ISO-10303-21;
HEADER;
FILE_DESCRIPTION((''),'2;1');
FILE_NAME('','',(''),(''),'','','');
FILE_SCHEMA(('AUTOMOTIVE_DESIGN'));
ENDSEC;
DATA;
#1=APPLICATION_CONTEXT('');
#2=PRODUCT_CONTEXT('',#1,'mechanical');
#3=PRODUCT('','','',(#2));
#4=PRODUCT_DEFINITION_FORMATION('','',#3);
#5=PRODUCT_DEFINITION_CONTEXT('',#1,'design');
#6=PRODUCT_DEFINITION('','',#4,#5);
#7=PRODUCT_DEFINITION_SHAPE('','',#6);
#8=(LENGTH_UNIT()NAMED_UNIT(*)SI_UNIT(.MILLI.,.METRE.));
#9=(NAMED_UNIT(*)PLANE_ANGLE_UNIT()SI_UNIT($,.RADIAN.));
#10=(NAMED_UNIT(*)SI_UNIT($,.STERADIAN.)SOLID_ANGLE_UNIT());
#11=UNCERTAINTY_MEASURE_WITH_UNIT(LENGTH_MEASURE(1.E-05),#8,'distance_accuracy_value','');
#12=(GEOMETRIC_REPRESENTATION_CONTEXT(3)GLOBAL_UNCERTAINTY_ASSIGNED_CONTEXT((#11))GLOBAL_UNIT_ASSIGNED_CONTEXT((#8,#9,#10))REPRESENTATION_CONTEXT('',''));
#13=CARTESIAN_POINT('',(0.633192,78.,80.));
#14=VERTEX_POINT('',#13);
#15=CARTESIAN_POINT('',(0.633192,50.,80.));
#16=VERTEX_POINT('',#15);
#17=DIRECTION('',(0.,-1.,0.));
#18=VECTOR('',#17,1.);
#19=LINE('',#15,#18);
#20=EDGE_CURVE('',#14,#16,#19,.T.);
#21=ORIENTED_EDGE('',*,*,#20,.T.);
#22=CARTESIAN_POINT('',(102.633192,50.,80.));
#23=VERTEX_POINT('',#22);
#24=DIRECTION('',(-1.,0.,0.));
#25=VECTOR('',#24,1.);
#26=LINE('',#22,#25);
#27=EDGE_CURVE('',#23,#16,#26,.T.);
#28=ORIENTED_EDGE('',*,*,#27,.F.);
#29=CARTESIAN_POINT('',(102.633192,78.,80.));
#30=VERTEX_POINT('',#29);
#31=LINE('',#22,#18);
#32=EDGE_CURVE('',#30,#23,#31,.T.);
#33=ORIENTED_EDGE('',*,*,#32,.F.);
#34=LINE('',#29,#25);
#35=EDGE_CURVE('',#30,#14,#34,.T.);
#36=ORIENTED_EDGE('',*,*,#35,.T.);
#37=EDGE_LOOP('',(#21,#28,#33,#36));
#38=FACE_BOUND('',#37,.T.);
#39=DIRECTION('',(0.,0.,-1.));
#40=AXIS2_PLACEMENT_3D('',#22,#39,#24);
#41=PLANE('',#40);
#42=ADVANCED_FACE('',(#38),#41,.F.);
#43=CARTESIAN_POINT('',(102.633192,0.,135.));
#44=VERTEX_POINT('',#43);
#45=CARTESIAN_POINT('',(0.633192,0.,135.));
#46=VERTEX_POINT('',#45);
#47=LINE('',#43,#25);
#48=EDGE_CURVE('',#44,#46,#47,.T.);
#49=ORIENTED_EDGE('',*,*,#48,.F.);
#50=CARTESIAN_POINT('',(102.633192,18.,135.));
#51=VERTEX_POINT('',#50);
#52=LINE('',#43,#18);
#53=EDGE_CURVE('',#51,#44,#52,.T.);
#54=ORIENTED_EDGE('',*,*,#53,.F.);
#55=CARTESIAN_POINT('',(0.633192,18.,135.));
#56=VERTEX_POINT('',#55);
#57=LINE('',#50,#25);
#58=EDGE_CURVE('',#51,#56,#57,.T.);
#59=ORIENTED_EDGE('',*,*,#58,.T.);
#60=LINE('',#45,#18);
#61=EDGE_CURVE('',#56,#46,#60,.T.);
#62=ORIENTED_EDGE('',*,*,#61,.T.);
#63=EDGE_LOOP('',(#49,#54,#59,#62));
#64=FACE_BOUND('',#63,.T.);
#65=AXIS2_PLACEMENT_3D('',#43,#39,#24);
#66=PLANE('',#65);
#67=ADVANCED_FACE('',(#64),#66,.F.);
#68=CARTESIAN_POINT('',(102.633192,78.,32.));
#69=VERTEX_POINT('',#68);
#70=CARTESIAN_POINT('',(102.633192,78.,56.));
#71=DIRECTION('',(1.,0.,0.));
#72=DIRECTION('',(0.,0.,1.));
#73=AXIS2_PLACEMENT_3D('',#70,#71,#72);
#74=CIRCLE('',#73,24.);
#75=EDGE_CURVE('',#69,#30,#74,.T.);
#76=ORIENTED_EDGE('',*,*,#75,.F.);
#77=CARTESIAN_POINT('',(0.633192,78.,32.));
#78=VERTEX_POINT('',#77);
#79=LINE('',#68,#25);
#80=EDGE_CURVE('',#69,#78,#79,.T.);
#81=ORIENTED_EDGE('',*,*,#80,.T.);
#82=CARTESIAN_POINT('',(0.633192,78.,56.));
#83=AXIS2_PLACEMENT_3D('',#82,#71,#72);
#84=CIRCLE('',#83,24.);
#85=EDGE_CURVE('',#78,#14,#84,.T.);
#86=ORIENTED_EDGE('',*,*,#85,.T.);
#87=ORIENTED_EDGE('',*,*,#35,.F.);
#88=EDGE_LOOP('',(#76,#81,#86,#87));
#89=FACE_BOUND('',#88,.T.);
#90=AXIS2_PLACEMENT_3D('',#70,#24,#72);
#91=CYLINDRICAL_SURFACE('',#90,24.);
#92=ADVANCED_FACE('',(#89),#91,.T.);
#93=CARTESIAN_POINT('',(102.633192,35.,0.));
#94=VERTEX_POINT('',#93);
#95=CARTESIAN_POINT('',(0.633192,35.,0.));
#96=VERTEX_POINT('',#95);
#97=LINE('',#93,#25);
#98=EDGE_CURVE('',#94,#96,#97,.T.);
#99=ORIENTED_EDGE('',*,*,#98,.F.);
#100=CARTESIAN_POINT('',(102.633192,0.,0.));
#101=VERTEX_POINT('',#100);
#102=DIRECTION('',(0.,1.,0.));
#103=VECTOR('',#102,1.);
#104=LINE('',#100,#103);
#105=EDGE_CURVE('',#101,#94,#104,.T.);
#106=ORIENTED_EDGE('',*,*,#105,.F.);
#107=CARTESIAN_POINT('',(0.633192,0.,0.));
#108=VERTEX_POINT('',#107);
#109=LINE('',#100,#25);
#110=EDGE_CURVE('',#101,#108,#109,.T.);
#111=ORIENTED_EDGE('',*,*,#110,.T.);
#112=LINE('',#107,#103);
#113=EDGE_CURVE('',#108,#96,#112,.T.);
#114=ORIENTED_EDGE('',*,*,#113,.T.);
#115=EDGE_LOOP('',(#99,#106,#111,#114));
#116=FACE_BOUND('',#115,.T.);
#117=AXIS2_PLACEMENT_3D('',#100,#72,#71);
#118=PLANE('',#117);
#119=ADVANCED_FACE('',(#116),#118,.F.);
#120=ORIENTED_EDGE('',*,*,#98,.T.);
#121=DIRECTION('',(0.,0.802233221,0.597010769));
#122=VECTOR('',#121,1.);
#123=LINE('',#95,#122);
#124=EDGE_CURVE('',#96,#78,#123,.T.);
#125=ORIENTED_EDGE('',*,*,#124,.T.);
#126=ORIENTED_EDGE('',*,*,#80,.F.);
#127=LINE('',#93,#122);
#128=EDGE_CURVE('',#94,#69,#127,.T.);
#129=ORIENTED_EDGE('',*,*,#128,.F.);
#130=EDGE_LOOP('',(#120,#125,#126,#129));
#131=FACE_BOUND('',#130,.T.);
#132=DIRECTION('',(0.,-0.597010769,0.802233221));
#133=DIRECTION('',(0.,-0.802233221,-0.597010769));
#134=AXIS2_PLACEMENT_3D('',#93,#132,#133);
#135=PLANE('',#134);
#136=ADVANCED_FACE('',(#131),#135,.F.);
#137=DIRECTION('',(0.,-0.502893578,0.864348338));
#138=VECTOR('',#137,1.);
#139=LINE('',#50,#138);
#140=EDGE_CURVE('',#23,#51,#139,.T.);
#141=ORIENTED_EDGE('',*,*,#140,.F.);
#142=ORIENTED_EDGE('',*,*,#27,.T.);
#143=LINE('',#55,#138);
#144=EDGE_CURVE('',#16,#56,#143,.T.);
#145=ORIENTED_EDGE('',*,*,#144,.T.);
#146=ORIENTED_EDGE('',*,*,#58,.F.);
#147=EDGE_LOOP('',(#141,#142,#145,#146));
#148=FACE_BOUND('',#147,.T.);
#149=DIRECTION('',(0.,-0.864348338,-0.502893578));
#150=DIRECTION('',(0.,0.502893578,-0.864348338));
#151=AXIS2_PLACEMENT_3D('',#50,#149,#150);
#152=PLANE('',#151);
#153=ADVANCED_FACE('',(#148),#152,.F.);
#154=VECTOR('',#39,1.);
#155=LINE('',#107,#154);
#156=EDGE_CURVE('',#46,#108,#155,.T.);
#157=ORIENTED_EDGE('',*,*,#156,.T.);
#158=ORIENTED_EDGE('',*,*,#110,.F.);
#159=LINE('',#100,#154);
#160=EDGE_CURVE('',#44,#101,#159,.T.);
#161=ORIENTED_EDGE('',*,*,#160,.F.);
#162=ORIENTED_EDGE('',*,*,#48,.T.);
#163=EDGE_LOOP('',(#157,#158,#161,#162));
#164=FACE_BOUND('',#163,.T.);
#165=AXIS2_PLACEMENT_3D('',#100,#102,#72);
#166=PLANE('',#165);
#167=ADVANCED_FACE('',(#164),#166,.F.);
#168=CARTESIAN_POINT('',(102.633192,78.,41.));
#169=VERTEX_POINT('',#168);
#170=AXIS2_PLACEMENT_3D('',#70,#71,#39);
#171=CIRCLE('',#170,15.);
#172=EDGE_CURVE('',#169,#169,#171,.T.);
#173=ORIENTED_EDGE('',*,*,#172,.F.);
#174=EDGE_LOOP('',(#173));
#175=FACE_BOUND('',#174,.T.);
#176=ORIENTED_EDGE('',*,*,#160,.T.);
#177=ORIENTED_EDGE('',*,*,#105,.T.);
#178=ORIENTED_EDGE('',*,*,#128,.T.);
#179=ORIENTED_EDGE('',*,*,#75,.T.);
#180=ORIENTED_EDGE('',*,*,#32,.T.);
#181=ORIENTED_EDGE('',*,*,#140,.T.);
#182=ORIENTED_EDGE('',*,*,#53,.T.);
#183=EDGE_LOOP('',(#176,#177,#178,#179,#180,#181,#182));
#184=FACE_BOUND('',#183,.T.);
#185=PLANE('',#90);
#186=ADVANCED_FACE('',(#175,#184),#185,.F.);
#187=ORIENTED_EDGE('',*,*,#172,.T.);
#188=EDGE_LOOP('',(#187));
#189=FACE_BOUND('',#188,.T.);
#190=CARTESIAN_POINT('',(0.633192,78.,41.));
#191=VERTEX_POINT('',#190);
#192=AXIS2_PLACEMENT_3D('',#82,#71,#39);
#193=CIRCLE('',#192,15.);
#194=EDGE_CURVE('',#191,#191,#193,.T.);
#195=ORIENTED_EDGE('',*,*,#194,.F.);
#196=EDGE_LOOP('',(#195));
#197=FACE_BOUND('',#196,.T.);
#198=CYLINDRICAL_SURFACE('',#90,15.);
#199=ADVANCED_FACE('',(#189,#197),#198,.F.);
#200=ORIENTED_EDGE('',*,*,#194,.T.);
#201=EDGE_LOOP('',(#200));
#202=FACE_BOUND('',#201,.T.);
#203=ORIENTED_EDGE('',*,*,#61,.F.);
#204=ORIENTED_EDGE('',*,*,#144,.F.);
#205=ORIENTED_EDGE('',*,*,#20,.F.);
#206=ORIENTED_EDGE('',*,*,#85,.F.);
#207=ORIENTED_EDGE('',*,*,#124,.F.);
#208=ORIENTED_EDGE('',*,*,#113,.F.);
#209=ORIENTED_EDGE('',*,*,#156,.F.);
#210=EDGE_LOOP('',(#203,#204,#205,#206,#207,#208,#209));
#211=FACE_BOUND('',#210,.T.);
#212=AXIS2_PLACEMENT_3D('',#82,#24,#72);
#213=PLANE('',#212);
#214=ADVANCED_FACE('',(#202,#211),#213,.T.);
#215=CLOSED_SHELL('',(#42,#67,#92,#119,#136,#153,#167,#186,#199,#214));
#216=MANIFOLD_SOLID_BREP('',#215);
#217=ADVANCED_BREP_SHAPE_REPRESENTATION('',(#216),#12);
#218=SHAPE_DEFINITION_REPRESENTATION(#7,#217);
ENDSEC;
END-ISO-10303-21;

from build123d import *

# Parameters (mm, degrees)
EXTRUDE_START   = 0.633192
SKETCH_1_R      = 15
EXTRUDE_3_DEPTH = 102


with BuildPart() as part:
    # Эскиз1 → Бобышка-Вытянуть3 (new body)
    with BuildSketch(Plane(origin=(0, 0, 0), x_dir=(0, 0, -1), z_dir=(1, 0, 0)).offset(EXTRUDE_START)):
        with BuildLine():
            Line((0, 0), (0, 35))
            Line((0, 35), (-32, 78))
            ThreePointArc((-32, 78), (-56, 102), (-80, 78))
            Line((-80, 78), (-80, 50))
            Line((-80, 50), (-135, 18))
            Line((-135, 18), (-135, 0))
            Line((-135, 0), (0, 0))
        make_face()
        with Locations((-56, 78)):
            Circle(SKETCH_1_R, mode=Mode.SUBTRACT)
    extrude(amount=EXTRUDE_3_DEPTH)


solid = part.part
